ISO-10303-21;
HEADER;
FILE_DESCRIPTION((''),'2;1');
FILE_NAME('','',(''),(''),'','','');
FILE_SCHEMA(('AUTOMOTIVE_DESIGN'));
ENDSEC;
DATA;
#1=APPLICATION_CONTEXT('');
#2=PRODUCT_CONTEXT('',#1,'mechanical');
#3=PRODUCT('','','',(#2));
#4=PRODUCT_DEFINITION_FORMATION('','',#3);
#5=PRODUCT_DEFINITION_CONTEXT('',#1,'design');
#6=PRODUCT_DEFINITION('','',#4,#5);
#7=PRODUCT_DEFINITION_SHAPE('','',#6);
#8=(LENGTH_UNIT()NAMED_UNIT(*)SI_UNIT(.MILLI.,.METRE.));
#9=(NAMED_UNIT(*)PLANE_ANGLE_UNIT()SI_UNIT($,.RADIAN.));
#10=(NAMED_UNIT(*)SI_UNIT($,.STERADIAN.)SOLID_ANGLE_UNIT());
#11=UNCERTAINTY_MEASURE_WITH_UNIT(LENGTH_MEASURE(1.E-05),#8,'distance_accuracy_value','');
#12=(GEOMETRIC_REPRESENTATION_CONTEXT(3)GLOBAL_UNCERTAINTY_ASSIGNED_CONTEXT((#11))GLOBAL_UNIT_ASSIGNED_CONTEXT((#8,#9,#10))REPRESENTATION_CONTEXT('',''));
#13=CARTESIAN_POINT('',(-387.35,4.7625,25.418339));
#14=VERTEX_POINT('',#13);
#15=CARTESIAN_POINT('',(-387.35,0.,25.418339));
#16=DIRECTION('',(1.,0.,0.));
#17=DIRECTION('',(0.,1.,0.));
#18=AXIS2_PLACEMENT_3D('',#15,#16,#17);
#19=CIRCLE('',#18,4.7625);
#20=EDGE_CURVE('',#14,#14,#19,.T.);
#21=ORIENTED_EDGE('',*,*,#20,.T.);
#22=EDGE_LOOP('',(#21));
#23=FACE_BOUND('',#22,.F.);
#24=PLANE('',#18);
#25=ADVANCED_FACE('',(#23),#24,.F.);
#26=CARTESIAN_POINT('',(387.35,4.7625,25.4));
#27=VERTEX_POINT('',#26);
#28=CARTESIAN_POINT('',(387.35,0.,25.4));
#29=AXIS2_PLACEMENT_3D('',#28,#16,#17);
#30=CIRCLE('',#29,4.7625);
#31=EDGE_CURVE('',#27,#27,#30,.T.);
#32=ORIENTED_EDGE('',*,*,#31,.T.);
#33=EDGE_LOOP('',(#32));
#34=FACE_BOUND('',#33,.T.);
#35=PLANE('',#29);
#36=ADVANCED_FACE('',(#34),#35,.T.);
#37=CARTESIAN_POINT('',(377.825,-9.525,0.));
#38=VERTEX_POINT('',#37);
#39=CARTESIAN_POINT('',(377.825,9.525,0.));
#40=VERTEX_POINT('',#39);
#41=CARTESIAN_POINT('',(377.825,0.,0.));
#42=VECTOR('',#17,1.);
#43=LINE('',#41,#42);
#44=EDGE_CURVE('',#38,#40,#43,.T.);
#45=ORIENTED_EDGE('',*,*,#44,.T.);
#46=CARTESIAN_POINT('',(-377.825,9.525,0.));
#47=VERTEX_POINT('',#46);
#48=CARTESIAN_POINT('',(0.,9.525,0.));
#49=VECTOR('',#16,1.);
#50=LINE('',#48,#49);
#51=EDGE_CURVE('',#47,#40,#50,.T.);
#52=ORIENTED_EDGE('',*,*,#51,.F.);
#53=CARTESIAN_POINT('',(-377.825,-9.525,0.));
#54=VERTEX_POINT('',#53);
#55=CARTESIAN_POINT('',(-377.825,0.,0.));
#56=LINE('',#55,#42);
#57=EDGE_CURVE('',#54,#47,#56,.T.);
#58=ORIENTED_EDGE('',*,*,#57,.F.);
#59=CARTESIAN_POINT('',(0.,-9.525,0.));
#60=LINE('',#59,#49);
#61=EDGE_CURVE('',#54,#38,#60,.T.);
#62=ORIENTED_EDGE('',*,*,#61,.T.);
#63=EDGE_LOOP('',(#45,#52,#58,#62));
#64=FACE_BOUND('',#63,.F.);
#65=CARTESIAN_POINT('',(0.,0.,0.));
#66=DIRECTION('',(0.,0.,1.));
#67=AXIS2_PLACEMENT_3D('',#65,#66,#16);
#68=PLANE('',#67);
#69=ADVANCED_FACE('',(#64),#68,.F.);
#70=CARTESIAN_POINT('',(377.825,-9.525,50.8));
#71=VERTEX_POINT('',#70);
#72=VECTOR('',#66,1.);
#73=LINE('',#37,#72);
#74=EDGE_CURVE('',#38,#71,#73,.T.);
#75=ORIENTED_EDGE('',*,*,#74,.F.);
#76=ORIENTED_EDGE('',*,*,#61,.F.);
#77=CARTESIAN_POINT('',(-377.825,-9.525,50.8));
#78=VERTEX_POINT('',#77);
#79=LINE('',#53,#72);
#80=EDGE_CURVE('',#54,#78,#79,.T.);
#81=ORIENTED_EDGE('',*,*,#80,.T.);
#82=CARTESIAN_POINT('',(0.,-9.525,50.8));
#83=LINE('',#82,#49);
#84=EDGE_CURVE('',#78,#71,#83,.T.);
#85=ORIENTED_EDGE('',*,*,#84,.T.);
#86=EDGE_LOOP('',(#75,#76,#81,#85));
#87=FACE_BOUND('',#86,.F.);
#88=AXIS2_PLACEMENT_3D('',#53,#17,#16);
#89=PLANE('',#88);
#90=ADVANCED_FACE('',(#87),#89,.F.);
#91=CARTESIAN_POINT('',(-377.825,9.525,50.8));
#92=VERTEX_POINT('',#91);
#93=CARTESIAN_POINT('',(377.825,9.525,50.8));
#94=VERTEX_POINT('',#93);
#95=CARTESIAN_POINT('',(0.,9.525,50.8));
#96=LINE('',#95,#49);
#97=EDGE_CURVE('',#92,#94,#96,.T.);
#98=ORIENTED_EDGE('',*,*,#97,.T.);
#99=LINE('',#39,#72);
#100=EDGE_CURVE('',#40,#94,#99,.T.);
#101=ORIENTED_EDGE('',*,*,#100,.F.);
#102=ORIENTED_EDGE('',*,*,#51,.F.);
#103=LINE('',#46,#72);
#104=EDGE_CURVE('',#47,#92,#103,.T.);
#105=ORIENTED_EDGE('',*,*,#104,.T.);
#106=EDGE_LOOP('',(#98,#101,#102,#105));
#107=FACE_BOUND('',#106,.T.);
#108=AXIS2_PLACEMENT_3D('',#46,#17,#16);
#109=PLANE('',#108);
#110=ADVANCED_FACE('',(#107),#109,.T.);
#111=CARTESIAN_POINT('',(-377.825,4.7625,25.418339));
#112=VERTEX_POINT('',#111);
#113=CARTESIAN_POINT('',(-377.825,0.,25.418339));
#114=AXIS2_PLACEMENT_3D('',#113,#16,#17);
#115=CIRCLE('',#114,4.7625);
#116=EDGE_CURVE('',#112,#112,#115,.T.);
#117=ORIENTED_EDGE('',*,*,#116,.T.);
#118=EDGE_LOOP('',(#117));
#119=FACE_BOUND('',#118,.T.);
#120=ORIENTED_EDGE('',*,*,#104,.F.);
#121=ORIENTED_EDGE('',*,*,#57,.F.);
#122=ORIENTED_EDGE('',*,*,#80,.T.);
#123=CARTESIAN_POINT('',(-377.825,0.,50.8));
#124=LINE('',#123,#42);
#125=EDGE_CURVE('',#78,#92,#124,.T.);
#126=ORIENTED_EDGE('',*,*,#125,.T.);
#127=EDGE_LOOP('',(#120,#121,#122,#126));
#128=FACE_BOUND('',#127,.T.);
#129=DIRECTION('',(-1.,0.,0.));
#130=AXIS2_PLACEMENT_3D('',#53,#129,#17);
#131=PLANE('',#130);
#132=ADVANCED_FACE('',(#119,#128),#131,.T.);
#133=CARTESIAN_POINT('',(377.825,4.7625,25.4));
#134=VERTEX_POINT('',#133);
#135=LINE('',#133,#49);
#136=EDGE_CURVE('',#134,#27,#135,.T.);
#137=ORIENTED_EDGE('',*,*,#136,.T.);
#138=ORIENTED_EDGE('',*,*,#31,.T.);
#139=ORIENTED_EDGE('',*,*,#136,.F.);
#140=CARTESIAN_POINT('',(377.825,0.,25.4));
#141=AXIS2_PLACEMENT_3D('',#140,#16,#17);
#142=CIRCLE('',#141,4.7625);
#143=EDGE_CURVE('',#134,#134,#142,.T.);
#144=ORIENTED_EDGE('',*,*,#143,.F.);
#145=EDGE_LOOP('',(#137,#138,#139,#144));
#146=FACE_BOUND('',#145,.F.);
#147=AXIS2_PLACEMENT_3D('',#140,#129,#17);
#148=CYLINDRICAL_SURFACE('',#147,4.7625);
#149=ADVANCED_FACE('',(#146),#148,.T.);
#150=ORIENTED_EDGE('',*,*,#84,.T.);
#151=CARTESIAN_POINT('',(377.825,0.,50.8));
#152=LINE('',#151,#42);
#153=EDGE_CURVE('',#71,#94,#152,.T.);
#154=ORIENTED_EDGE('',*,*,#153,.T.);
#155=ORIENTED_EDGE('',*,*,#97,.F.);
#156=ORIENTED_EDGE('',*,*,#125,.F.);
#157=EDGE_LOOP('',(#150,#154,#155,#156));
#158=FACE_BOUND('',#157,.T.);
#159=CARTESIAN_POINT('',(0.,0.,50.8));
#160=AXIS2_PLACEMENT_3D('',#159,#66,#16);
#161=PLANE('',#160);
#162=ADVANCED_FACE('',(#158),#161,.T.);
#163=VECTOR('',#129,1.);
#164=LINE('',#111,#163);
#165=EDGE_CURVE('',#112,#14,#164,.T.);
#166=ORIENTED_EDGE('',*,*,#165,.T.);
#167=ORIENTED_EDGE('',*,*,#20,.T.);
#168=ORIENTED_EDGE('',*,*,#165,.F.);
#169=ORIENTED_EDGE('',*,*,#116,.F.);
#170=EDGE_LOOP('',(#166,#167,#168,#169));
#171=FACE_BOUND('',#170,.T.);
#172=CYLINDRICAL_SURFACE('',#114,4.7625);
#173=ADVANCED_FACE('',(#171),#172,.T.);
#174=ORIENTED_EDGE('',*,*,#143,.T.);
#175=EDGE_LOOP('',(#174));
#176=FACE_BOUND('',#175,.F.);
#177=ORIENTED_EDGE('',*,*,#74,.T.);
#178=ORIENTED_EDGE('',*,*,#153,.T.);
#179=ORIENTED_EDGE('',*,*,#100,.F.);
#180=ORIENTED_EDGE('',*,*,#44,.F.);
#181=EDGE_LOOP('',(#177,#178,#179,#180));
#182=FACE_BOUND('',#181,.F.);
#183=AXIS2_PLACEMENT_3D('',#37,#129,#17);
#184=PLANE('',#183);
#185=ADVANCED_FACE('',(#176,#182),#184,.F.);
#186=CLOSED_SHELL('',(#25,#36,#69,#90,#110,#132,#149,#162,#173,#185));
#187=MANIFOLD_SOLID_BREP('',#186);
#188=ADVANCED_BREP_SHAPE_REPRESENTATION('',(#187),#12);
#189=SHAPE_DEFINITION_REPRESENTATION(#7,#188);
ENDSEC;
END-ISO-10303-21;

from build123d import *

# Parameters (mm, degrees)
F0_W     = 755.65
F0_H     = 19.05
F1_DEPTH = 50.8
F3_R     = 4.7625
F4_DEPTH = 9.525
F6_R     = 4.7625
F7_DEPTH = 9.525


with BuildPart() as f1:
    # F0 (on Top) → F1 (new body)
    with BuildSketch(Plane.XY):
        Rectangle(F0_W, F0_H)
    extrude(amount=F1_DEPTH)

    # F3 (on offset) → F4 (join)
    with BuildSketch(Plane.YZ.offset(377.825)):
        with Locations((0, 25.4)):
            Circle(F3_R)
    extrude(amount=F4_DEPTH)

    # F6 (on offset) → F7 (join)
    with BuildSketch(Plane.YZ.offset(-377.825)):
        with Locations((0, 25.418339)):
            Circle(F6_R)
    extrude(amount=-F7_DEPTH)


solid = f1.part
